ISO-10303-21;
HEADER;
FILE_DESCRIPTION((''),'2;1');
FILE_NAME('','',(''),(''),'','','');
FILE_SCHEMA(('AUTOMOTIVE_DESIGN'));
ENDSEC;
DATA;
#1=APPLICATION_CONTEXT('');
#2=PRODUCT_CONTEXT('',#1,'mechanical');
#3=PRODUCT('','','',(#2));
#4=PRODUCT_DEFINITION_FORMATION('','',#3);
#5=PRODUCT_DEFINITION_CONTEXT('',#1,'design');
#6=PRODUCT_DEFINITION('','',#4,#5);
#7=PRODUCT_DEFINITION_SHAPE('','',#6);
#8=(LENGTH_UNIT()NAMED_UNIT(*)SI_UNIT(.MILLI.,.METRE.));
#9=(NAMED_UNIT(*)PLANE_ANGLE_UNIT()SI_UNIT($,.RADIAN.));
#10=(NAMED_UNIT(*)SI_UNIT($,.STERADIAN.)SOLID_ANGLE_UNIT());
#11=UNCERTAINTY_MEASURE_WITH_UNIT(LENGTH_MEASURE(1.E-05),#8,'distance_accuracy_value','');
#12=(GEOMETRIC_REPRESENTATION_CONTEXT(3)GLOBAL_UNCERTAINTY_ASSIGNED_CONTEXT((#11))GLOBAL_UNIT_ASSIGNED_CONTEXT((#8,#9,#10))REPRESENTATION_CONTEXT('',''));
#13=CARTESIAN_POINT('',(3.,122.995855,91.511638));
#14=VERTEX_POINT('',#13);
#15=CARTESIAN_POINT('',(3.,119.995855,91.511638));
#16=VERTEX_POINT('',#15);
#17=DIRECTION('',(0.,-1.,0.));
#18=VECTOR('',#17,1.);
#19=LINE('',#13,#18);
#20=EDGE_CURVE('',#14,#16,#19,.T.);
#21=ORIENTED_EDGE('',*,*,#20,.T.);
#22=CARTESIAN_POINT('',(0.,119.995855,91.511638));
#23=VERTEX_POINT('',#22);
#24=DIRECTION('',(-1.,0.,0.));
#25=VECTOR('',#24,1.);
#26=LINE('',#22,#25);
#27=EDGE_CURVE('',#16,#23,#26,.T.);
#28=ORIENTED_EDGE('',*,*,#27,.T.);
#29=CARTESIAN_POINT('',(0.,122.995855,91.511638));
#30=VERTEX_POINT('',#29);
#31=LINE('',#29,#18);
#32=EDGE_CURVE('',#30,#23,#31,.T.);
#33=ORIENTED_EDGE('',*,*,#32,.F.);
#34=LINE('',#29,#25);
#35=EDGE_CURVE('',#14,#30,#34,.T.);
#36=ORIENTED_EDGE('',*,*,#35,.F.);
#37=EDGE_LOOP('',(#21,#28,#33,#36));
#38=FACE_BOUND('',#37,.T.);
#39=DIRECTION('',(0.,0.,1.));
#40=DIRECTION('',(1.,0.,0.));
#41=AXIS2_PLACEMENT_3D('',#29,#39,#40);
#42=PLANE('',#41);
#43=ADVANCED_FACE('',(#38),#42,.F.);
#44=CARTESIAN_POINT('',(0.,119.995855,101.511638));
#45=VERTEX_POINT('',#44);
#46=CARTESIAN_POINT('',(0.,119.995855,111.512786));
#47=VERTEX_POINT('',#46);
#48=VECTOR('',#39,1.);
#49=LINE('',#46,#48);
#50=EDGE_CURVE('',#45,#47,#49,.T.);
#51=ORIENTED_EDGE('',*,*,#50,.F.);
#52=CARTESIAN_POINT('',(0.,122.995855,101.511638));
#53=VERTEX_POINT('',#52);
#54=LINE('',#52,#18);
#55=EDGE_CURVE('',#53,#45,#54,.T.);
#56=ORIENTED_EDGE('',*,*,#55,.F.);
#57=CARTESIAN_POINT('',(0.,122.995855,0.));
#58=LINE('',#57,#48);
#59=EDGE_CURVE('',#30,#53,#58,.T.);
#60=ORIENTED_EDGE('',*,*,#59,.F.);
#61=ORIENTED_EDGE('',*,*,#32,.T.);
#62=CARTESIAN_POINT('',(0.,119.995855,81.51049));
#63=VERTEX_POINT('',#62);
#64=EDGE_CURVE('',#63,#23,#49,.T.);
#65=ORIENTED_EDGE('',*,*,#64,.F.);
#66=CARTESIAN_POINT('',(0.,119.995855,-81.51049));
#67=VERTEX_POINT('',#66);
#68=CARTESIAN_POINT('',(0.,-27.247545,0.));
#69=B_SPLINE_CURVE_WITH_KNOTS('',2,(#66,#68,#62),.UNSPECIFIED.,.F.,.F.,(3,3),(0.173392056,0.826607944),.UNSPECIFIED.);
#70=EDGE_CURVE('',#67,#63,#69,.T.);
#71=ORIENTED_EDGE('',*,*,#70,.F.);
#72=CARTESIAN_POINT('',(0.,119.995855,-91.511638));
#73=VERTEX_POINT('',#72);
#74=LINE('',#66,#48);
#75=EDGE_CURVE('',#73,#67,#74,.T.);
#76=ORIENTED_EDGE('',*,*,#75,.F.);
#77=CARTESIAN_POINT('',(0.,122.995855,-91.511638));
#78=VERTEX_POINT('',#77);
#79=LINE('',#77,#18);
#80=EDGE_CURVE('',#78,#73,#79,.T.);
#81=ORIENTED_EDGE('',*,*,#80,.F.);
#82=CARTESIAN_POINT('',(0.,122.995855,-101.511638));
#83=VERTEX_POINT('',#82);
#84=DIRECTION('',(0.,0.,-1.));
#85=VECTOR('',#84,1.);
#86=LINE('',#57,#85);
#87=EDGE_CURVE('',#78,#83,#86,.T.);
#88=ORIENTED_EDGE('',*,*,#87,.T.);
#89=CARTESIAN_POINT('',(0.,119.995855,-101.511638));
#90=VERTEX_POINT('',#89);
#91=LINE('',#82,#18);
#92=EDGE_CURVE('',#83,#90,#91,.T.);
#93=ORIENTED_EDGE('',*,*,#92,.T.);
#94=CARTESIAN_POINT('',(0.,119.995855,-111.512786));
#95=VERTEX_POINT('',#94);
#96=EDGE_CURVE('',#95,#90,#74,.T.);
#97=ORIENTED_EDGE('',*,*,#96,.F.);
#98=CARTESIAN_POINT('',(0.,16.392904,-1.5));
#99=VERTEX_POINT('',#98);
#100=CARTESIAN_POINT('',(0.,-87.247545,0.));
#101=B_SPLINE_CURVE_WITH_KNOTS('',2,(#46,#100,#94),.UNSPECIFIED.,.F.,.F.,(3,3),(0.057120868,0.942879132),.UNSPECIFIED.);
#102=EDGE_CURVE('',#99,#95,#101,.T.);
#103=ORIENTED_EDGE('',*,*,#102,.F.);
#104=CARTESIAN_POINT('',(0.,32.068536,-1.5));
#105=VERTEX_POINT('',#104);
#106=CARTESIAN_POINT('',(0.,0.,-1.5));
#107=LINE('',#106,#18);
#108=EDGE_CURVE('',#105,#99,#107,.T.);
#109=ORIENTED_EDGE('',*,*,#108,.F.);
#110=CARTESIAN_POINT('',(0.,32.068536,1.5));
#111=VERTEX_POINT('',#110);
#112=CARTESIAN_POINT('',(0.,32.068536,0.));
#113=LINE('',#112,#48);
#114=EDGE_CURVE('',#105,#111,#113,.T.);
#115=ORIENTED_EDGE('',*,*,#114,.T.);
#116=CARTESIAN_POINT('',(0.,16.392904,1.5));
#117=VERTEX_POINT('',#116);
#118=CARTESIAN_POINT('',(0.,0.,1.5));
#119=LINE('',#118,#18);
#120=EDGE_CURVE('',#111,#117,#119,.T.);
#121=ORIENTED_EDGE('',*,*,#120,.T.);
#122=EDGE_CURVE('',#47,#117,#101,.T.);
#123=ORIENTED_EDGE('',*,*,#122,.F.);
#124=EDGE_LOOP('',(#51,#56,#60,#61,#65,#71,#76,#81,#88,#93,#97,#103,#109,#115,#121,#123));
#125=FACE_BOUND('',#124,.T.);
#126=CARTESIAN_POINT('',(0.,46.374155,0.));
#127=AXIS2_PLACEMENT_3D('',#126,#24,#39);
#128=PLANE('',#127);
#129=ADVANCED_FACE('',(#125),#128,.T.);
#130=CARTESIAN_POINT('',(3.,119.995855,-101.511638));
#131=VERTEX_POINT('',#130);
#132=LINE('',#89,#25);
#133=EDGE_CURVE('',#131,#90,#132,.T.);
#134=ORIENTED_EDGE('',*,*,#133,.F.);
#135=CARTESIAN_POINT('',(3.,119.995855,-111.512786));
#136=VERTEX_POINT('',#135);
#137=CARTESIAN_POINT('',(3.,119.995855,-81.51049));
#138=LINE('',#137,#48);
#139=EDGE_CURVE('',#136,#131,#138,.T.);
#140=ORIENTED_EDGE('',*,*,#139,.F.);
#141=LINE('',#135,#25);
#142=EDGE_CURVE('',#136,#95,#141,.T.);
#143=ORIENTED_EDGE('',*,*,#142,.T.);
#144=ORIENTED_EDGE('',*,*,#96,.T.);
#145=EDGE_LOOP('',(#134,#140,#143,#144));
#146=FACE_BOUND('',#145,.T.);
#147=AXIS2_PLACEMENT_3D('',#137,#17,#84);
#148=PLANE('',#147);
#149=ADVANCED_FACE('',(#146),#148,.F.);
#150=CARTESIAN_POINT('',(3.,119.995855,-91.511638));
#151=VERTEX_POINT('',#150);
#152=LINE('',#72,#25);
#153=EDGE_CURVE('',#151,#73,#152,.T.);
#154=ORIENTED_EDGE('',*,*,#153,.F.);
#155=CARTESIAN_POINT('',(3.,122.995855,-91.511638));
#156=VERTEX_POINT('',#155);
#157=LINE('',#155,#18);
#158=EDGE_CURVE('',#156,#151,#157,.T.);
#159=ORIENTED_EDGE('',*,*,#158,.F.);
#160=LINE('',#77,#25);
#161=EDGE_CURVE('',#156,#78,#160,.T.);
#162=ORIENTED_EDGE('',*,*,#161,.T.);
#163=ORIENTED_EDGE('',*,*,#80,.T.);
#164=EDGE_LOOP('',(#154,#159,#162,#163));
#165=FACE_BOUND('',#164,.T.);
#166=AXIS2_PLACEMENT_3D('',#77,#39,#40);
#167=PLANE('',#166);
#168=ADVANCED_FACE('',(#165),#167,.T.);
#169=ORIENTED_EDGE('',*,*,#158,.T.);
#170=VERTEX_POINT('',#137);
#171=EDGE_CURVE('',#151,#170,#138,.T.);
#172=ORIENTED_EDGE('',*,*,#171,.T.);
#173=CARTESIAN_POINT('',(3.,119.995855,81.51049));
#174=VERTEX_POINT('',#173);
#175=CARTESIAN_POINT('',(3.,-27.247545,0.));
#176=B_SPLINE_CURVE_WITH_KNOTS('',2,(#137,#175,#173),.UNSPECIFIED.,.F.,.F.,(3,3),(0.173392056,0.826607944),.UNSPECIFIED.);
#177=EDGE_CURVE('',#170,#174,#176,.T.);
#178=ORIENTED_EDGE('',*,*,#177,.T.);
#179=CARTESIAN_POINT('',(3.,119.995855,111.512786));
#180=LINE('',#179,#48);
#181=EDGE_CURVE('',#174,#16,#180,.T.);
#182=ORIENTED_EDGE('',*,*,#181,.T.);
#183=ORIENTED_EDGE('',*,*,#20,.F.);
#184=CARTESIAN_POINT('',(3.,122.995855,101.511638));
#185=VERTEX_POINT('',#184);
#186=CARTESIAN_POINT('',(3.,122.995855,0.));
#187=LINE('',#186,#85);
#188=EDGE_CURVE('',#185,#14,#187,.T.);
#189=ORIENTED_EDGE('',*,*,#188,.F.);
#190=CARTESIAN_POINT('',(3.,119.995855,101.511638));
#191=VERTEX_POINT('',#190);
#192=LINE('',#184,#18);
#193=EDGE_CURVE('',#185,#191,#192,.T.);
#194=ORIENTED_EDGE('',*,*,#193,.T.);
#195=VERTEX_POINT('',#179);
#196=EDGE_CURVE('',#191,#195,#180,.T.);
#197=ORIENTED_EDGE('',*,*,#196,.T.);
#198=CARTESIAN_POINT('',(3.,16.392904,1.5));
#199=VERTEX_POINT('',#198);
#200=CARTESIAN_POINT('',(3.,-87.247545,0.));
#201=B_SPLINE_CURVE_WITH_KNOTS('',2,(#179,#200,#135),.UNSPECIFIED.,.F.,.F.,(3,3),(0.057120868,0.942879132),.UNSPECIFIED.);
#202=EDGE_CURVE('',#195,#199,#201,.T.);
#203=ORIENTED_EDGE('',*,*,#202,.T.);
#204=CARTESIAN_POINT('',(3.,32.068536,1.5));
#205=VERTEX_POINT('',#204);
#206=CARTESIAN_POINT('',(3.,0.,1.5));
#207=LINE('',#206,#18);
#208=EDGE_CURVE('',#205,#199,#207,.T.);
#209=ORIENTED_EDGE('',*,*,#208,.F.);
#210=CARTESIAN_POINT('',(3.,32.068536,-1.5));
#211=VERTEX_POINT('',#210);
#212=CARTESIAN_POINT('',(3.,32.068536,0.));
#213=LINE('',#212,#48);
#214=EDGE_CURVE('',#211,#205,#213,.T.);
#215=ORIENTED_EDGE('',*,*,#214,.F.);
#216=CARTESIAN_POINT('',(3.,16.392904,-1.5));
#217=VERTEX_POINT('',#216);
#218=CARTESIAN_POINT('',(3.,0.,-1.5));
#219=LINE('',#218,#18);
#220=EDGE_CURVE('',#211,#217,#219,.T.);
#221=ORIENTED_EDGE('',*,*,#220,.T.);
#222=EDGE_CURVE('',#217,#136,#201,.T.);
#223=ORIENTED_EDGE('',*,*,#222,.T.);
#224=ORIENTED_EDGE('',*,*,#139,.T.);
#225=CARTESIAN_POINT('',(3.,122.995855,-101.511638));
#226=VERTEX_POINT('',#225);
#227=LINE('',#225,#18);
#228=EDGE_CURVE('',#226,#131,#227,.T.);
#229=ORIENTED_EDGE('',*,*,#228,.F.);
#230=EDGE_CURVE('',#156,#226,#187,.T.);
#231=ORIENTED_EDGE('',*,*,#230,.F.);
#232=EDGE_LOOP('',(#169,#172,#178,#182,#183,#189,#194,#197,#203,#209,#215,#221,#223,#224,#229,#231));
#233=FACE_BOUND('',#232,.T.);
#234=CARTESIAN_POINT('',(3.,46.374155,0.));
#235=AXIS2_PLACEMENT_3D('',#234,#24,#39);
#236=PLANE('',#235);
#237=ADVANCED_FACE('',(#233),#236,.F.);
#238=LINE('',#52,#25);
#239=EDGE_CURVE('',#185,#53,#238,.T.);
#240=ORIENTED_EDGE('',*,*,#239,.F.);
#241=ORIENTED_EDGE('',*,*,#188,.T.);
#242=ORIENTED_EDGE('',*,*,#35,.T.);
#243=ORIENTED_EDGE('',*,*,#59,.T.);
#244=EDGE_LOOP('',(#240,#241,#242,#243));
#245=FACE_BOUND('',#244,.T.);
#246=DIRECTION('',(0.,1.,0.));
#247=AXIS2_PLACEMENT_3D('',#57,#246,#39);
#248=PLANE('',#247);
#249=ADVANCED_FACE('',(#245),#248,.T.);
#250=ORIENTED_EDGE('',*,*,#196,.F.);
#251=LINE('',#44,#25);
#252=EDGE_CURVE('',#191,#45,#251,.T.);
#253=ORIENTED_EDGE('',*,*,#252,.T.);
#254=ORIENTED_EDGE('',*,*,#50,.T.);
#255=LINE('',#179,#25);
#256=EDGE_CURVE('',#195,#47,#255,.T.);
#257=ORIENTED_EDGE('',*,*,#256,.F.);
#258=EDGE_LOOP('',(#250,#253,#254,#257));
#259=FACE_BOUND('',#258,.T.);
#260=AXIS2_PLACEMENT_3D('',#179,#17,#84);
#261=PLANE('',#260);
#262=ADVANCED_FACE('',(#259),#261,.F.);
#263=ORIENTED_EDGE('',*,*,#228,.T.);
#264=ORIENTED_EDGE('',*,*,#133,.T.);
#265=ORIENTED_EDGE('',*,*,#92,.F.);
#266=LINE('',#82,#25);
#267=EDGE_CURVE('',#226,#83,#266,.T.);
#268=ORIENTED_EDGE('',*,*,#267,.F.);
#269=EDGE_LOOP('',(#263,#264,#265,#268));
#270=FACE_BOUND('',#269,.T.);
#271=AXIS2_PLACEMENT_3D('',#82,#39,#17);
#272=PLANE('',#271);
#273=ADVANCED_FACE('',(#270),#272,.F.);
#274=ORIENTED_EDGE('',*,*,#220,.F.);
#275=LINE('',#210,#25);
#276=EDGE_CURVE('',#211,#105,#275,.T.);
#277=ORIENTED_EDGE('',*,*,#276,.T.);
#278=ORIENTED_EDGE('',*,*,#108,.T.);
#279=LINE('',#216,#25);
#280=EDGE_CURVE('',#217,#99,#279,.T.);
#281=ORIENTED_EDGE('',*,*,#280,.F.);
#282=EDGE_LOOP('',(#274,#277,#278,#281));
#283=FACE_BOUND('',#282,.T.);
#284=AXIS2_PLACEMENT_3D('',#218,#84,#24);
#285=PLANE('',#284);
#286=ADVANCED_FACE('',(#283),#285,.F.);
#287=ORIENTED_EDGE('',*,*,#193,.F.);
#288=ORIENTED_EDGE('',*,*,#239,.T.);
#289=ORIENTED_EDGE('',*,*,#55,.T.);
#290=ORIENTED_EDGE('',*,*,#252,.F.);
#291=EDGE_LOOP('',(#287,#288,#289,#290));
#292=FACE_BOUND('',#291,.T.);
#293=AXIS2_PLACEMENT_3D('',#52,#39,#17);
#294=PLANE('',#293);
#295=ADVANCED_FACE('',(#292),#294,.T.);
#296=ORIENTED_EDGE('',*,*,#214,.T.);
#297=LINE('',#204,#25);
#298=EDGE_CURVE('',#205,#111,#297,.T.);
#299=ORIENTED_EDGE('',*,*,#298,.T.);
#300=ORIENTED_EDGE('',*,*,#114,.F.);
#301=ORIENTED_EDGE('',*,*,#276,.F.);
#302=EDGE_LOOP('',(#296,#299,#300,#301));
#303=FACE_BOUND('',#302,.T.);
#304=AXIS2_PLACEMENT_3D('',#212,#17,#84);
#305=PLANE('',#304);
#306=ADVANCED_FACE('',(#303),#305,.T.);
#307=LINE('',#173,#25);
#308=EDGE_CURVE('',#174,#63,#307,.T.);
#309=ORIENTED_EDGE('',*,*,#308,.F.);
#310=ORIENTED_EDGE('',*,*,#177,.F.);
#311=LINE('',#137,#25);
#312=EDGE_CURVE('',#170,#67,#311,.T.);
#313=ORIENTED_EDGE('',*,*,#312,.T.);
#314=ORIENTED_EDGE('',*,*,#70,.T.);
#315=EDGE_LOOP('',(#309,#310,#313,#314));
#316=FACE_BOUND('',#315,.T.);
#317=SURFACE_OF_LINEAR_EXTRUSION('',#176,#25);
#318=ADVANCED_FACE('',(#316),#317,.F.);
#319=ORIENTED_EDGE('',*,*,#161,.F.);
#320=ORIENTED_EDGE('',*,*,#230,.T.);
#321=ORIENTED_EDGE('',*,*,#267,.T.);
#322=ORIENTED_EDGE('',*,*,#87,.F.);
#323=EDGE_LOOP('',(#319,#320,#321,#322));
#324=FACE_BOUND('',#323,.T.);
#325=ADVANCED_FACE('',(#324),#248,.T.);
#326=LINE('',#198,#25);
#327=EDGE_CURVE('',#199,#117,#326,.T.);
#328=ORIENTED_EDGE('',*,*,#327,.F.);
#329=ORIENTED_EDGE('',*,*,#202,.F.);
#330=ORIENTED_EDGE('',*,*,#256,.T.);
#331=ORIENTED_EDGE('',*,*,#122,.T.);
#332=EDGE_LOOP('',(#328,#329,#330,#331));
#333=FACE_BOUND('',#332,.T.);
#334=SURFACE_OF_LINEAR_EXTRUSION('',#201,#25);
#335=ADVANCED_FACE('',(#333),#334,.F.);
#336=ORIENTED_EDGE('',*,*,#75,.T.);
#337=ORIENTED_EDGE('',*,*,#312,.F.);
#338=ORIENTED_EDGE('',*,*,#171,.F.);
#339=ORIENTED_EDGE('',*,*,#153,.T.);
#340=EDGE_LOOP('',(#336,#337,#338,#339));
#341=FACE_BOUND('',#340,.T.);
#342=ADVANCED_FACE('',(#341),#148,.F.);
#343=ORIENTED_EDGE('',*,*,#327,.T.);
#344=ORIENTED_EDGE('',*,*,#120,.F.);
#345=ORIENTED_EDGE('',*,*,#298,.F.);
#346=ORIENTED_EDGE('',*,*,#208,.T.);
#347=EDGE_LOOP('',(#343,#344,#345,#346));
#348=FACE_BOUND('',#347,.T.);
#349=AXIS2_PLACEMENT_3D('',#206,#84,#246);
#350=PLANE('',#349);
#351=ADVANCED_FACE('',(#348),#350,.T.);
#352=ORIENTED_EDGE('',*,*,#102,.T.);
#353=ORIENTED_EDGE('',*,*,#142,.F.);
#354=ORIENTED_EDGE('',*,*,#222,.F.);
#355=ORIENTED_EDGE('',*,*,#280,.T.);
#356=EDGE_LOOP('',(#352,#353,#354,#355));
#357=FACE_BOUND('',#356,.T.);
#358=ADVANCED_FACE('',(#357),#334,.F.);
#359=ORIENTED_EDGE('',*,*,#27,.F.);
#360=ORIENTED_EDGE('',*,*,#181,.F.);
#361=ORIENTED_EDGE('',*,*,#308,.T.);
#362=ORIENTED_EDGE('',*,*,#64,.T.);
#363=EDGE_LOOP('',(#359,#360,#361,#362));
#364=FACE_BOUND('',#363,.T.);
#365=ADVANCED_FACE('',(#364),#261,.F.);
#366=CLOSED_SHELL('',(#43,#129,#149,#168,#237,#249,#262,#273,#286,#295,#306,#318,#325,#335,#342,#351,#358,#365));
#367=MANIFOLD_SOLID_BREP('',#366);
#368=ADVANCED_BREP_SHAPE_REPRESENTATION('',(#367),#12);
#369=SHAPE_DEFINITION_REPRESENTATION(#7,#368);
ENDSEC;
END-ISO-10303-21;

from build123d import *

# Parameters (mm, degrees)
EXTRUDE_1_DEPTH     = 3
EXTRUDE_2_DEPTH     = 3
CUT_EXTRUDE_1_DEPTH = 167.048432022


with BuildPart() as part:
    # 草图1 → 凸台-拉伸1 (new body)
    with BuildSketch(Plane(origin=(0, 0, 0), x_dir=(0, 0, -1), z_dir=(1, 0, 0))):
        with BuildLine():
            Line((-111.5127858, 119.995854941), (-81.510489631, 119.995854941))
            add(Edge.make_bspline(
                [(-81.510489631, 119.995854941), (0, -27.247544941), (81.510489631, 119.995854941)],
                knots=[0.173392056, 0.173392056, 0.173392056, 0.826607944, 0.826607944, 0.826607944], degree=2))
            Line((81.510489631, 119.995854941), (111.5127858, 119.995854941))
            add(Edge.make_bspline(
                [(-111.5127858, 119.995854941), (0, -87.247544941), (111.5127858, 119.995854941)],
                knots=[0.057120868, 0.057120868, 0.057120868, 0.942879132, 0.942879132, 0.942879132], degree=2))
        make_face()
    extrude(amount=EXTRUDE_1_DEPTH)

    # 草图2 → 凸台-拉伸2 (add)
    with BuildSketch(Plane(origin=(0, 119.995854941, 0), x_dir=(1, 0, 0), z_dir=(0, 1, 0))):
        Polygon((0, 91.511637716), (1.000038267, 91.511637716), (1.999961733, 101.511637716), (0, 101.511637716), align=None)
        Polygon((1.999961733, 101.511637716), (1.000038267, 91.511637716), (3, 91.511637716), (3, 101.511637716), align=None)
        Polygon((0, -101.511637716), (1.000038267, -101.511637716), (1.999961733, -91.511637716), (0, -91.511637716), align=None)
        Polygon((1.999961733, -91.511637716), (1.000038267, -101.511637716), (3, -101.511637716), (3, -91.511637716), align=None)
    extrude(amount=EXTRUDE_2_DEPTH)

    # 草图3 → 切除-拉伸1 (cut, through all)
    with BuildSketch(Plane.ZY):
        with BuildLine():
            Line((1.5, 32.06853615), (-1.5, 32.06853615))
            Line((-1.5, 32.06853615), (-1.5, 16.39290425))
            add(Edge.make_bspline(
                [(-1.5, 16.39290425), (0, 16.35540575), (1.5, 16.39290425)],
                knots=[0.494042668, 0.494042668, 0.494042668, 0.505957332, 0.505957332, 0.505957332], degree=2))
            Line((1.5, 16.39290425), (1.5, 32.06853615))
        make_face()
    extrude(amount=-CUT_EXTRUDE_1_DEPTH, mode=Mode.SUBTRACT)


solid = part.part
